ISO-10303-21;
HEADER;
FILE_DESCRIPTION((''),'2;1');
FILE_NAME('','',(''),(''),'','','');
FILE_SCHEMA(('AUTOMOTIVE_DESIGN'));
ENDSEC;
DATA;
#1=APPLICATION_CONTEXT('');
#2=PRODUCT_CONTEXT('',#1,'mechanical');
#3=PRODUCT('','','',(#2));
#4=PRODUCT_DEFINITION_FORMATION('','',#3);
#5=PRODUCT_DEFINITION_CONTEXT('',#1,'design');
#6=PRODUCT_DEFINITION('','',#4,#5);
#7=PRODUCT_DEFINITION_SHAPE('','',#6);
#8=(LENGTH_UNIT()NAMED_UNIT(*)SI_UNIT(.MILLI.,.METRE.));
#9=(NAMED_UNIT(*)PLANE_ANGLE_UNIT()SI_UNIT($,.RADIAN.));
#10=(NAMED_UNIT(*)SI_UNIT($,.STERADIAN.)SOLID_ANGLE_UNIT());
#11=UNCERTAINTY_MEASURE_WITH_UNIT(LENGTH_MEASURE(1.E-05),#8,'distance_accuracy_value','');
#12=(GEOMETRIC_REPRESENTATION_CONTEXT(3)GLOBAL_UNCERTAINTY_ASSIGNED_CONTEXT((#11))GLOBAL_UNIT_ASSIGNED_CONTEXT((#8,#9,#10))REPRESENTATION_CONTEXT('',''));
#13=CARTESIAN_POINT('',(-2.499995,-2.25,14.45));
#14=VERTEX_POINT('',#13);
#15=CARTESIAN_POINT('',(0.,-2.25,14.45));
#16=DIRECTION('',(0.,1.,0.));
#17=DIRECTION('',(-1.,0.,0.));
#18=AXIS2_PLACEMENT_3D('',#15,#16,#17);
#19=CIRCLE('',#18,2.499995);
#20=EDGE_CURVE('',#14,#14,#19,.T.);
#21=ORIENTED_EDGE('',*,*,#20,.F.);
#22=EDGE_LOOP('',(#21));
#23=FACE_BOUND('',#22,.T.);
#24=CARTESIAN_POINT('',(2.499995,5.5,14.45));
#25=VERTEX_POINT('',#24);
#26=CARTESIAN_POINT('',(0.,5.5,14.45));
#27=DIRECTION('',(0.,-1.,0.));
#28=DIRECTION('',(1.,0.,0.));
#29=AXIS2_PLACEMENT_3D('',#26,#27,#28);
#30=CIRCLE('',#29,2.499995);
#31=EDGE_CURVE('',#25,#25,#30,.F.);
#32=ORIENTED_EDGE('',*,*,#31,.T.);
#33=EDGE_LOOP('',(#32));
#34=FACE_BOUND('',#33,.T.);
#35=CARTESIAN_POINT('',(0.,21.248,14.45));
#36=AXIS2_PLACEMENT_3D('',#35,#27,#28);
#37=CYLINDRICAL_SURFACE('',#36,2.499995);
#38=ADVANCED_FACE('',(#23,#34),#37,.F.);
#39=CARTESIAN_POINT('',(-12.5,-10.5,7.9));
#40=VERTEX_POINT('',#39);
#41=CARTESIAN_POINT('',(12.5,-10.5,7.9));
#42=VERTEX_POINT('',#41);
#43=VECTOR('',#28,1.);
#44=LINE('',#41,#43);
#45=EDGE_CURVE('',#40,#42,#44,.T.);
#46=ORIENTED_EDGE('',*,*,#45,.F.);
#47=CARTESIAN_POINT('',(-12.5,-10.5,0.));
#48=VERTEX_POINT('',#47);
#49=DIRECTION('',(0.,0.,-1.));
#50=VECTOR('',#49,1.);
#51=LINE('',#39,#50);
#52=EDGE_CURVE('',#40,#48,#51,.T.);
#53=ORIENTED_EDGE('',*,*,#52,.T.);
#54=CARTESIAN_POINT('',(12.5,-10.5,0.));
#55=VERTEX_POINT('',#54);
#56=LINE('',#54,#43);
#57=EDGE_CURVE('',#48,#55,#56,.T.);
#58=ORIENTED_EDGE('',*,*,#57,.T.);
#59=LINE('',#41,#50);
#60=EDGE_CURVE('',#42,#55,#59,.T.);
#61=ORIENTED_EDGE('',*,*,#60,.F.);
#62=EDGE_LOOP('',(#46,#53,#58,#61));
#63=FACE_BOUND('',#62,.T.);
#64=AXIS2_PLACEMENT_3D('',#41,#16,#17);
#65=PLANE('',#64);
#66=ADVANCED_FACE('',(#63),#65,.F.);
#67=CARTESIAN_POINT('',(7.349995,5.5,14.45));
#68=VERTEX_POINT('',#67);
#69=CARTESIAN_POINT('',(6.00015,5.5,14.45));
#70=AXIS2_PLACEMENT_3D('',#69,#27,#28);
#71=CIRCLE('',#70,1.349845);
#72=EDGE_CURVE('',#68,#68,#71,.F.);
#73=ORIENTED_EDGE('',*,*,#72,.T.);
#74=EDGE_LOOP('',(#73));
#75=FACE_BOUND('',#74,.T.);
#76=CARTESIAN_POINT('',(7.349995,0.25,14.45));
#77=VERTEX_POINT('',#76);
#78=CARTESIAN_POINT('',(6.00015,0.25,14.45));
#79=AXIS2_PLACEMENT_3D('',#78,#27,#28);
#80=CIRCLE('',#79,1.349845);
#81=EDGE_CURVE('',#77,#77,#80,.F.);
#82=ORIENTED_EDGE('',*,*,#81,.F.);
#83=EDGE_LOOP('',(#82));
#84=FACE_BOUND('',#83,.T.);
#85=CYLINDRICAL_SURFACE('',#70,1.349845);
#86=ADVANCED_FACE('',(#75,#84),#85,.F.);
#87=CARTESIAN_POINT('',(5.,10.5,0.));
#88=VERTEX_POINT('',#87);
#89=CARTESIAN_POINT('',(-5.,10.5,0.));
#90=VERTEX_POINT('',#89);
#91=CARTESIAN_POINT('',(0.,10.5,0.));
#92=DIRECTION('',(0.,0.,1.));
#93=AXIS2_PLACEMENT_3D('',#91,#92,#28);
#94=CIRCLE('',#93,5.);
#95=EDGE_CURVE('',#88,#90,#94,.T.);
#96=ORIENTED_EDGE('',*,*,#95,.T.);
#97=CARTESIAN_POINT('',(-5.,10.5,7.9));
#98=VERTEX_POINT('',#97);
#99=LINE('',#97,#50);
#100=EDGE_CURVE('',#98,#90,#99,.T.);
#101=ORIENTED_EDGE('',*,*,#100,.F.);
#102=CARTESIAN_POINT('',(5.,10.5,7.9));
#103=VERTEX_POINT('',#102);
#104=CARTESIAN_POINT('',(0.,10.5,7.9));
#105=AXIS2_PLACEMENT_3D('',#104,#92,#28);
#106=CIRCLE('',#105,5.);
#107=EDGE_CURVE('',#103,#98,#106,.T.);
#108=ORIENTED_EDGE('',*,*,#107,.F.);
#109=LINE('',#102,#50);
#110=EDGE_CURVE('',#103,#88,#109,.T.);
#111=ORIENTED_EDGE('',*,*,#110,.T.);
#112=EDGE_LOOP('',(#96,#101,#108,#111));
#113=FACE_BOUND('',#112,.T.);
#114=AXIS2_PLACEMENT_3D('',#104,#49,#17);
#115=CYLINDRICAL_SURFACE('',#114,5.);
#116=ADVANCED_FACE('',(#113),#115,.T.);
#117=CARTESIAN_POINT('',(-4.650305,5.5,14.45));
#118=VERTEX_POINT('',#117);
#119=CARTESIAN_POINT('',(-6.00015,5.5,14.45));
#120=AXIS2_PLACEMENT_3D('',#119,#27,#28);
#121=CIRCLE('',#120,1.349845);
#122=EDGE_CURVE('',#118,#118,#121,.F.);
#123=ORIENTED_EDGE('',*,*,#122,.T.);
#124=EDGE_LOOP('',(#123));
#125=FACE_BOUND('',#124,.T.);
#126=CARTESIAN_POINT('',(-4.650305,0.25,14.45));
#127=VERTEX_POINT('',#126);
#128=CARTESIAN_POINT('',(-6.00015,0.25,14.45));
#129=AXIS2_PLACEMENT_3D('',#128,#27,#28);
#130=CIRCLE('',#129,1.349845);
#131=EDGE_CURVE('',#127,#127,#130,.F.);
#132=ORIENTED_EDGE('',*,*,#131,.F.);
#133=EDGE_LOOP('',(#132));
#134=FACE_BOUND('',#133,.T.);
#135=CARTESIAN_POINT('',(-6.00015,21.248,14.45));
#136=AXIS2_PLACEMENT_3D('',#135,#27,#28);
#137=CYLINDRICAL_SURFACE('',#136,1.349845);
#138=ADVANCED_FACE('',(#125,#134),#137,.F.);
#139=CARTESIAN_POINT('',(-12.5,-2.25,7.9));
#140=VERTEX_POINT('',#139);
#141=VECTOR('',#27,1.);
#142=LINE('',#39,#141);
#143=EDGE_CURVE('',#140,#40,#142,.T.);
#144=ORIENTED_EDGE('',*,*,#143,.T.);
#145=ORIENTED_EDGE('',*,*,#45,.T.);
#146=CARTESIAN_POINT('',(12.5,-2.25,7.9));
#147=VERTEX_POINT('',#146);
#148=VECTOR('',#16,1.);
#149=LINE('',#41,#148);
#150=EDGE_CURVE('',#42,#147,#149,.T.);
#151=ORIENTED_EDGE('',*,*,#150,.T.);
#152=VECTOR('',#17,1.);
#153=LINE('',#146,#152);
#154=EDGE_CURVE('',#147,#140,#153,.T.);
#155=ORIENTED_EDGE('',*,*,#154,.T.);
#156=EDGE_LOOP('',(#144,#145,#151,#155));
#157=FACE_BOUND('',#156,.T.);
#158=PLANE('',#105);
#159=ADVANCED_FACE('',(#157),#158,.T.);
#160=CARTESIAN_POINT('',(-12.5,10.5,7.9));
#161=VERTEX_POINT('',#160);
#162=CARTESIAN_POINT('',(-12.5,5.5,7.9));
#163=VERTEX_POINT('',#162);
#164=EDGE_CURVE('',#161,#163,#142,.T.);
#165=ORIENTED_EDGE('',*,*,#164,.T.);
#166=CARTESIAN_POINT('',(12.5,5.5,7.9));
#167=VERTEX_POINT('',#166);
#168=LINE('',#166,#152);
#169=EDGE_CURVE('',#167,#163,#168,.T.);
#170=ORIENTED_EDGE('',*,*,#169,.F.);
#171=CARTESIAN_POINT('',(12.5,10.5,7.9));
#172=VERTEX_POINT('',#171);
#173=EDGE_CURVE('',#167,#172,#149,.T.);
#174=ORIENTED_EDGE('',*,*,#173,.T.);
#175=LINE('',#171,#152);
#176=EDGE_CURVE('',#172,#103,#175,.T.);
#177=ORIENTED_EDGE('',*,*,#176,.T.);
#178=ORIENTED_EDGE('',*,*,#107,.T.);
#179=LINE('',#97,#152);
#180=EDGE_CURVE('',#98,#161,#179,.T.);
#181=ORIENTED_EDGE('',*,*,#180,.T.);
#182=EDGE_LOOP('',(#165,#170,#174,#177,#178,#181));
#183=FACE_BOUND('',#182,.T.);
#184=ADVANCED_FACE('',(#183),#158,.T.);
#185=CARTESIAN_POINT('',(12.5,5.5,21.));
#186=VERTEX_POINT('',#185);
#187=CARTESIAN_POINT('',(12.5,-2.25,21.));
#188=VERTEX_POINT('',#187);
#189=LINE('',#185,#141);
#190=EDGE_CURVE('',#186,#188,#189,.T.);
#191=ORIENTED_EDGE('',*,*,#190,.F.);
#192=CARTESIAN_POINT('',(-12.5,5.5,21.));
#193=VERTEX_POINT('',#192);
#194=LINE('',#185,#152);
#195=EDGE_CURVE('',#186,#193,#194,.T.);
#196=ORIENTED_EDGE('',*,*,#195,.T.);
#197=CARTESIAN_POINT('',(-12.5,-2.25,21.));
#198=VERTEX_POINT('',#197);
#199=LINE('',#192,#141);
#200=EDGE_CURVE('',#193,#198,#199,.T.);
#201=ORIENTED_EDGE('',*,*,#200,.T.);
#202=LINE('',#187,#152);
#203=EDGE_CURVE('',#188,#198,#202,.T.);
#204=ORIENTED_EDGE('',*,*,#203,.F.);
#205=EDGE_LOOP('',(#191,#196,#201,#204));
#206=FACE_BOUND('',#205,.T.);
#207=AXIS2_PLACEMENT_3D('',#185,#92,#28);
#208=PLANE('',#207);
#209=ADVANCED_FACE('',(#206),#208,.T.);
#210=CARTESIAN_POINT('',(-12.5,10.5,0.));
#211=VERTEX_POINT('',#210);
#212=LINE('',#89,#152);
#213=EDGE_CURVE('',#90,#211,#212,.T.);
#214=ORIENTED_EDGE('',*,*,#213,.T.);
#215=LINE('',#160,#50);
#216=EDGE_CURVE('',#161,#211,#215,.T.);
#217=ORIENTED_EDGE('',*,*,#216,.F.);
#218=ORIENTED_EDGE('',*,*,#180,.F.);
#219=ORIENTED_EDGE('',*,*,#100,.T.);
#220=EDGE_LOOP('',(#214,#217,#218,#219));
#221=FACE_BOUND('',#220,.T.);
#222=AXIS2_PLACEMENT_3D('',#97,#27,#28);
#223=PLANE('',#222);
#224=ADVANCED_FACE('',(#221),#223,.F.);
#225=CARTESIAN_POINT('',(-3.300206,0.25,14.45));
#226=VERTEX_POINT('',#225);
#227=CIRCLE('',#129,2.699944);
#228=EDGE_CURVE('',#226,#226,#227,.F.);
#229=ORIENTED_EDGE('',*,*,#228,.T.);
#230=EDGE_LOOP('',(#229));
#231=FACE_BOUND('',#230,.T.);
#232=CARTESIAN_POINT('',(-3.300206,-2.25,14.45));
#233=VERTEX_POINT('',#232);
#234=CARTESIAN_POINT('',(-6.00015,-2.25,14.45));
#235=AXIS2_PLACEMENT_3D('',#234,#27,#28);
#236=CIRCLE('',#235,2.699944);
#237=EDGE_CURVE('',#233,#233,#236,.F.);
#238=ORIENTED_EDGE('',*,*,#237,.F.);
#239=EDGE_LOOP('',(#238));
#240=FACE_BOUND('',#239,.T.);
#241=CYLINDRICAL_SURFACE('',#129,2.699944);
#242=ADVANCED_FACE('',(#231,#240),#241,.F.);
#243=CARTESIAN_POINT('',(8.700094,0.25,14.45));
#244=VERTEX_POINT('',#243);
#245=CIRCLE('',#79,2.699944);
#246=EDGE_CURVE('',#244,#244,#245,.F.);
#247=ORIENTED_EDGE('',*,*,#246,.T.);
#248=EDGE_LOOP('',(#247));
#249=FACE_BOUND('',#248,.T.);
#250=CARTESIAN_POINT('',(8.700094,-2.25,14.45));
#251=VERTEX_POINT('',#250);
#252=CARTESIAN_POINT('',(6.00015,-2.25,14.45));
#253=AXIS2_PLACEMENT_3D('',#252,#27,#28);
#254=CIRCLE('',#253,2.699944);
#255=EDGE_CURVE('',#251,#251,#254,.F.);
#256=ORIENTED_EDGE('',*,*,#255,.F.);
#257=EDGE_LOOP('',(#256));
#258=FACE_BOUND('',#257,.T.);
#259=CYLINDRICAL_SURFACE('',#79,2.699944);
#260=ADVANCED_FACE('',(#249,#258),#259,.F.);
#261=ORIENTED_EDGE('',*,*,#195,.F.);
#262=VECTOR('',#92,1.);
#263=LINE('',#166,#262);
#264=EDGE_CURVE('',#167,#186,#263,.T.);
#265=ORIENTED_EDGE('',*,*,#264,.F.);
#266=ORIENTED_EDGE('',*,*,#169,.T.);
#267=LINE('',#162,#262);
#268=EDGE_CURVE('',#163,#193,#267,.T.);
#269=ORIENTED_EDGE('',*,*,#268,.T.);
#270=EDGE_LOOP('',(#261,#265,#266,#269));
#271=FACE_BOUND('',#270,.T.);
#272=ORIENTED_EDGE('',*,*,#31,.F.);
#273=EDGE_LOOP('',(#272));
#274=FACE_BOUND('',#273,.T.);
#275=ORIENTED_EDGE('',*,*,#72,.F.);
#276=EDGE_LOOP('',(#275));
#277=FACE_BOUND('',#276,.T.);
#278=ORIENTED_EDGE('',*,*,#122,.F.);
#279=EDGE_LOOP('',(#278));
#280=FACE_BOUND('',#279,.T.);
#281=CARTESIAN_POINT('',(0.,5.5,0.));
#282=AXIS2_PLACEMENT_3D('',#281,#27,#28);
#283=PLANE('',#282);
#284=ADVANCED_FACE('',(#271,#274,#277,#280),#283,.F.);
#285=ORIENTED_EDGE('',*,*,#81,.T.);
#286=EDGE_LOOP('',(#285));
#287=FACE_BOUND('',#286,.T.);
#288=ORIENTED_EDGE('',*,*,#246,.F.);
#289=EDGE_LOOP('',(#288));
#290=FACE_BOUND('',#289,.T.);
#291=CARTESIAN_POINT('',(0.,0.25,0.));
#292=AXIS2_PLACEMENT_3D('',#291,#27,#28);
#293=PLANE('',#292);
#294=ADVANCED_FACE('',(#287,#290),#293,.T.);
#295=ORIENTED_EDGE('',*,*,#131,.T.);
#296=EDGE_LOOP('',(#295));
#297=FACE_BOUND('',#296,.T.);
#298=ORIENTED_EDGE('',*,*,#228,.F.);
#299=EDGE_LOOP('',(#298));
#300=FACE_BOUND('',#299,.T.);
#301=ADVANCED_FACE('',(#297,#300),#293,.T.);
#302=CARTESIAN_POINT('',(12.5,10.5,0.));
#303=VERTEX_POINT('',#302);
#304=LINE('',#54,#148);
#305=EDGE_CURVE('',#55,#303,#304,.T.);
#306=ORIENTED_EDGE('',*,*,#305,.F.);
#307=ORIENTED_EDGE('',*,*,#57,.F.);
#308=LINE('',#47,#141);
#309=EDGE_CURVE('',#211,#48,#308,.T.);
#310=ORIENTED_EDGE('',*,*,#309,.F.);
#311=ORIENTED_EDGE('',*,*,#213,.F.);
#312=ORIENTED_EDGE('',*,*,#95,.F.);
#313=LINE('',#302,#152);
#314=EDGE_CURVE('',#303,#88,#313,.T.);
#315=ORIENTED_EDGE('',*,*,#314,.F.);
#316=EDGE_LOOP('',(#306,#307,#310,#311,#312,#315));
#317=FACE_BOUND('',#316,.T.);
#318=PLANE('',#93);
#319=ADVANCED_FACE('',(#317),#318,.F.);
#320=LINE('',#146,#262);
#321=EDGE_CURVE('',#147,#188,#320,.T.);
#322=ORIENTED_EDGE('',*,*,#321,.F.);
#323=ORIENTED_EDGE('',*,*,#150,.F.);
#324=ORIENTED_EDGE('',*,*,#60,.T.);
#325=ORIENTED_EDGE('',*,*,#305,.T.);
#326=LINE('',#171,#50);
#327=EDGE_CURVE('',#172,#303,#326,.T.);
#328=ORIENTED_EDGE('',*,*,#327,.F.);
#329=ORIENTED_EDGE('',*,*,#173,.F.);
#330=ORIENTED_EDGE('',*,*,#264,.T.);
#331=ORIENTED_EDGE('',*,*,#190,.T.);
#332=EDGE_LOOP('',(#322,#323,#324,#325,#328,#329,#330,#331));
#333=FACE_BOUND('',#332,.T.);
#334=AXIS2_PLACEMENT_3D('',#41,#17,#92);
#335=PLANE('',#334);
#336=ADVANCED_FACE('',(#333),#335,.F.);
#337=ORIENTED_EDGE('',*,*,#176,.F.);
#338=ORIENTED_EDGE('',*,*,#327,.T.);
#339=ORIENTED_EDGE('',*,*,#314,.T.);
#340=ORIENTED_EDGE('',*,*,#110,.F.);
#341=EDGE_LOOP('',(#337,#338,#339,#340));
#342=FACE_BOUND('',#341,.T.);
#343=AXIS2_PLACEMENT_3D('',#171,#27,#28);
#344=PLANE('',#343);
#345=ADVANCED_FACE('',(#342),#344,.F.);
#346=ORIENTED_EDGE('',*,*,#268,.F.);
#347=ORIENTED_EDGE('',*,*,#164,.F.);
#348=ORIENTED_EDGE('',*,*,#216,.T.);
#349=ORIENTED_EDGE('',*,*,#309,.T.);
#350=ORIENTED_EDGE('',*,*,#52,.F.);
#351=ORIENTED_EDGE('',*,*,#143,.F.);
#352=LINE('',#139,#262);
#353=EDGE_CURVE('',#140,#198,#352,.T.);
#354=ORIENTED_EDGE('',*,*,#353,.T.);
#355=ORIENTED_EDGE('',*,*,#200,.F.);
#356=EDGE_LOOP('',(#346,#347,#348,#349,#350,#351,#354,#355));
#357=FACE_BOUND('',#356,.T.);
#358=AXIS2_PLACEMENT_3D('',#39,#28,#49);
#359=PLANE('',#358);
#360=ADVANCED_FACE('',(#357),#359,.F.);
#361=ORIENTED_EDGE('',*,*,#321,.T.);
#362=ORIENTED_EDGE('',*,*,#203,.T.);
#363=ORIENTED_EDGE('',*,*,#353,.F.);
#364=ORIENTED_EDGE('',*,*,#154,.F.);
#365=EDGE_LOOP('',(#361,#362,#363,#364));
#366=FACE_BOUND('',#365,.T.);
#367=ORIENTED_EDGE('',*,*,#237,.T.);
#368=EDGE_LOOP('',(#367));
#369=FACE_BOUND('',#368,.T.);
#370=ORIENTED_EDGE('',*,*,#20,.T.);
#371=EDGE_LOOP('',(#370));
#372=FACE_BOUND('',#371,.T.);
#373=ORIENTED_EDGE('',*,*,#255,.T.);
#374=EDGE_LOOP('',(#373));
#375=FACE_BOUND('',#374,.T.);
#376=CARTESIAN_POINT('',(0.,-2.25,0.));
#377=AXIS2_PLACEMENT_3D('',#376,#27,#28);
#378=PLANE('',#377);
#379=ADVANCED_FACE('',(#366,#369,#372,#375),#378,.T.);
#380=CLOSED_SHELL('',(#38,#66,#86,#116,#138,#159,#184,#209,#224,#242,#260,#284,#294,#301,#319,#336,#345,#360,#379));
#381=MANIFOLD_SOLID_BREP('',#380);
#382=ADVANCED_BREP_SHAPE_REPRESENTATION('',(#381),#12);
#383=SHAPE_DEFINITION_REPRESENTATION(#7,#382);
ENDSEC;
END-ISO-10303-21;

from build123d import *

# Parameters (mm, degrees)
BOSS_EXTRUDE1_DEPTH = 7.9
SKETCH2_W           = 25
SKETCH2_H           = 13.1
SKETCH2_R           = 1.349845
BOSS_EXTRUDE2_DEPTH = 7.75
SKETCH2_4_R         = 2.499995
SKETCH2_4_R_2       = 1.349845
CUT_EXTRUDE1_DEPTH  = 23.498
SKETCH2_6_R         = 2.6999438
SKETCH2_6_R_2       = 1.349845
CUT_EXTRUDE2_DEPTH  = 2.5


with BuildPart() as part:
    # Sketch1 → Boss-Extrude1 (new body)
    with BuildSketch(Plane.XY):
        with BuildLine():
            Line((-5, 10.5), (-12.5, 10.5))
            Line((-12.5, 10.5), (-12.5, -10.5))
            Line((-12.5, -10.5), (12.5, -10.5))
            Line((12.5, -10.5), (12.5, 10.5))
            Line((12.5, 10.5), (5, 10.5))
            ThreePointArc((5, 10.5), (0, 15.5), (-5, 10.5))
        make_face()
    extrude(amount=BOSS_EXTRUDE1_DEPTH)

    # Sketch2 → Boss-Extrude2 (add)
    with BuildSketch(Plane(origin=(0, -2.24999999, 0), x_dir=(1, 0, 0), z_dir=(0, 1, 0))):
        with Locations((0, -14.45)):
            Rectangle(SKETCH2_W, SKETCH2_H)
        with Locations((6.00015, -14.45)):
            Circle(SKETCH2_R, mode=Mode.SUBTRACT)
    extrude(amount=BOSS_EXTRUDE2_DEPTH)

    # Sketch2<4> → Cut-Extrude1 (cut)
    with BuildSketch(Plane(origin=(0, -2.24999999, 0), x_dir=(1, 0, 0), z_dir=(0, 1, 0))):
        with Locations((0, -14.45)):
            Circle(SKETCH2_4_R)
        with Locations((-6.00015, -14.45)):
            Circle(SKETCH2_4_R_2)
    extrude(amount=CUT_EXTRUDE1_DEPTH, mode=Mode.SUBTRACT)

    # Sketch2<6> → Cut-Extrude2 (cut)
    with BuildSketch(Plane(origin=(0, -2.24999999, 0), x_dir=(1, 0, 0), z_dir=(0, 1, 0))):
        with Locations((6.00015, -14.45)):
            Circle(SKETCH2_6_R)
        with Locations((6.00015, -14.45)):
            Circle(SKETCH2_6_R_2, mode=Mode.SUBTRACT)
        with Locations((-6.00015, -14.45)):
            Circle(SKETCH2_6_R)
        with Locations((-6.00015, -14.45)):
            Circle(SKETCH2_6_R_2, mode=Mode.SUBTRACT)
    extrude(amount=CUT_EXTRUDE2_DEPTH, mode=Mode.SUBTRACT)


solid = part.part
